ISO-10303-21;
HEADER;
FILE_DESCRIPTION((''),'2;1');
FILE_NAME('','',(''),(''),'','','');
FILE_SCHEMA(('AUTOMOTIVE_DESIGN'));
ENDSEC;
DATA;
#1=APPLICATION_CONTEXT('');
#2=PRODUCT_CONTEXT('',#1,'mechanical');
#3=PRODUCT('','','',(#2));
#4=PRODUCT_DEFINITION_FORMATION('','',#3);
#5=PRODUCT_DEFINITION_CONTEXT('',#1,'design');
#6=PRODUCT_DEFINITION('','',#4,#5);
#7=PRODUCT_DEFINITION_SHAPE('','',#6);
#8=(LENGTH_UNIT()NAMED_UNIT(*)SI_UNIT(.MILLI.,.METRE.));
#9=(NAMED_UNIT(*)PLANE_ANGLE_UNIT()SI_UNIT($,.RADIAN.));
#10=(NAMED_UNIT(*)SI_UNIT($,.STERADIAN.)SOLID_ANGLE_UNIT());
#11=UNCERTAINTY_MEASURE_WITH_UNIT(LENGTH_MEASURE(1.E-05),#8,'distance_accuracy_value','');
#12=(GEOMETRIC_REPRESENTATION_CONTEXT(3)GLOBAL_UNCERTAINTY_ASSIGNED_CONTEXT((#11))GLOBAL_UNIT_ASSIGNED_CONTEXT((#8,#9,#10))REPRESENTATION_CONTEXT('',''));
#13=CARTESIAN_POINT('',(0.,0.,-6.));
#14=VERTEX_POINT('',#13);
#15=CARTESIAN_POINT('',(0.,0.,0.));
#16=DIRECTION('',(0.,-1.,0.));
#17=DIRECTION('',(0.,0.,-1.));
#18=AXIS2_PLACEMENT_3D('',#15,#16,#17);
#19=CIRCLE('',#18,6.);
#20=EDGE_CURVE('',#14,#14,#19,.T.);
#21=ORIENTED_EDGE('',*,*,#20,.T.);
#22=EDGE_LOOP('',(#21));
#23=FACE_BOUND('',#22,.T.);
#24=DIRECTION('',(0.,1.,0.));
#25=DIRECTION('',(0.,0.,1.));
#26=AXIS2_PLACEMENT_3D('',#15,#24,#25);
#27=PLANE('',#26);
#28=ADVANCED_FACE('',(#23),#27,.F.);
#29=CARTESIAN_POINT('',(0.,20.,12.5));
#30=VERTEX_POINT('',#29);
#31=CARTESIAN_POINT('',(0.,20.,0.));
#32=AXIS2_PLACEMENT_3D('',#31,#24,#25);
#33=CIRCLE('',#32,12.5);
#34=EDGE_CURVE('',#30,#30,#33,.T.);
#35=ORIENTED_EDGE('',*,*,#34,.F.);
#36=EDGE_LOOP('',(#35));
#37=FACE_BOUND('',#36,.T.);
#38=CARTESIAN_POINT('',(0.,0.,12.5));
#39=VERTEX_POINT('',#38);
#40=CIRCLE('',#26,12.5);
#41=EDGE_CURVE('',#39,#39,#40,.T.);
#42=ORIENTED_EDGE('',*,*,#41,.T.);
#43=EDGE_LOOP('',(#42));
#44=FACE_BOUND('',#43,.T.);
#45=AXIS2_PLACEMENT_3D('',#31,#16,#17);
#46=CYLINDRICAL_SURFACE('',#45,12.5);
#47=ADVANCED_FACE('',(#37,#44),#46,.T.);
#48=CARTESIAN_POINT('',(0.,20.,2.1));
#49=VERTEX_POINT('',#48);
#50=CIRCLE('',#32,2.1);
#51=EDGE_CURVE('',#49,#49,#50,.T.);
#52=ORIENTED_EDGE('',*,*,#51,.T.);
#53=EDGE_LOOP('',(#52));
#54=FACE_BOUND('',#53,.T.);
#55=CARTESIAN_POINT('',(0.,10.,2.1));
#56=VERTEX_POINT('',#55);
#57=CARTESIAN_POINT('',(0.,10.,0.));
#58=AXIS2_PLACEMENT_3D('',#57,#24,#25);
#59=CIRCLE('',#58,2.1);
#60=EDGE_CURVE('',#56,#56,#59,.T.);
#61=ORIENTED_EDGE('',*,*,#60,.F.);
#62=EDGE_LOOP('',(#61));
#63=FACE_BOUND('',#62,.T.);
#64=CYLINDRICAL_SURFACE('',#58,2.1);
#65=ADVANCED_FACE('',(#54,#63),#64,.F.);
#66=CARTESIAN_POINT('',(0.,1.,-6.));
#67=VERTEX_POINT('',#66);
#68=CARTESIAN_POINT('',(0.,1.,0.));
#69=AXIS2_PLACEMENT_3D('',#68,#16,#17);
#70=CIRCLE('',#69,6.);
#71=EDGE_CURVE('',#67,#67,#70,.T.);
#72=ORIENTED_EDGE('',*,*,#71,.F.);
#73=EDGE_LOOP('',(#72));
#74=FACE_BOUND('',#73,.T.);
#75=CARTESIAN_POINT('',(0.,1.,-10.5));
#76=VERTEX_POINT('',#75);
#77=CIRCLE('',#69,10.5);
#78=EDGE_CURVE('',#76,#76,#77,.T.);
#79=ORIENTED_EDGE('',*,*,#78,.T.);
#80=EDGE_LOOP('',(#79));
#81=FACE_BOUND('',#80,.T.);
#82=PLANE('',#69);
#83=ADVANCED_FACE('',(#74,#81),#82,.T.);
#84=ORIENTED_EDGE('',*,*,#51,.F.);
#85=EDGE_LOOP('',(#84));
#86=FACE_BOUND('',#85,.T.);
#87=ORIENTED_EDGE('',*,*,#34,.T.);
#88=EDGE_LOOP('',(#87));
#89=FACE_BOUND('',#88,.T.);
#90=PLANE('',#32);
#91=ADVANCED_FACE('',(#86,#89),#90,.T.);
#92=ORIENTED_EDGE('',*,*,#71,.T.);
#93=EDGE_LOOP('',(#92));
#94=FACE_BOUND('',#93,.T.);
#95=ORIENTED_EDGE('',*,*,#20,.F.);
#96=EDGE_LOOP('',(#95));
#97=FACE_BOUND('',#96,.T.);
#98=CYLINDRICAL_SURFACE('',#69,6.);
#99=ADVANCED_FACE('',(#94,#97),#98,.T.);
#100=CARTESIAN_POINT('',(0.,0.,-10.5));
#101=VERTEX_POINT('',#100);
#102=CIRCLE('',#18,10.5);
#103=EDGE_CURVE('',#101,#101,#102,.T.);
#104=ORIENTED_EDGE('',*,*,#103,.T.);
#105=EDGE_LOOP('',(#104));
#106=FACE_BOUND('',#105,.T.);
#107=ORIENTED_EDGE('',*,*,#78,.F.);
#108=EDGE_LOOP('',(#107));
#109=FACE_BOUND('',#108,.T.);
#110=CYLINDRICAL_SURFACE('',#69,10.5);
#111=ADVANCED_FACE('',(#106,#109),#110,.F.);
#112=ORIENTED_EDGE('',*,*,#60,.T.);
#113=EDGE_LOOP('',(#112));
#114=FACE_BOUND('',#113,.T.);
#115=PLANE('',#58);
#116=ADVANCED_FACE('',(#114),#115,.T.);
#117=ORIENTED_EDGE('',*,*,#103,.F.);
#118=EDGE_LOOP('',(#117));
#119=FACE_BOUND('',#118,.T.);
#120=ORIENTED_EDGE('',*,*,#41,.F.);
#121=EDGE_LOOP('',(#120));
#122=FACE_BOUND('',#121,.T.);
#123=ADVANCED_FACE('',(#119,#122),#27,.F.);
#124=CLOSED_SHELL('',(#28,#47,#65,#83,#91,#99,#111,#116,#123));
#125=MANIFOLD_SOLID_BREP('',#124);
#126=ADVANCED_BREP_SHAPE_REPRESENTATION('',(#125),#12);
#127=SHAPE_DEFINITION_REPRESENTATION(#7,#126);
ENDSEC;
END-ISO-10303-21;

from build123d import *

# Parameters (mm, degrees)
SKETCH_1_R          = 12.5
EXTRUDE_1_DEPTH     = 20
SKETCH_2_R          = 10.5
SKETCH_2_R_2        = 6
CUT_EXTRUDE_1_DEPTH = 1
SKETCH_3_R          = 2.1
CUT_EXTRUDE_2_DEPTH = 10


with BuildPart() as part:
    # 草图1 → 凸台-拉伸1 (new body)
    with BuildSketch(Plane(origin=(0, 0, 0), x_dir=(1, 0, 0), z_dir=(0, 1, 0))):
        with Locations(Location((0, 0, 0), (0, 0, 270))):
            Circle(SKETCH_1_R)
    extrude(amount=EXTRUDE_1_DEPTH)

    # 草图2 → 切除-拉伸1 (cut)
    with BuildSketch(Plane.XZ):
        with Locations(Location((0, 0, 0), (0, 0, 270))):
            Circle(SKETCH_2_R)
        with Locations(Location((0, 0, 0), (0, 0, 270))):
            Circle(SKETCH_2_R_2, mode=Mode.SUBTRACT)
    extrude(amount=-CUT_EXTRUDE_1_DEPTH, mode=Mode.SUBTRACT)

    # 草图3 → 切除-拉伸2 (cut)
    with BuildSketch(Plane(origin=(0, 20, 0), x_dir=(1, 0, 0), z_dir=(0, 1, 0))):
        with Locations(Location((0, 0, 0), (0, 0, 270))):
            Circle(SKETCH_3_R)
    extrude(amount=-CUT_EXTRUDE_2_DEPTH, mode=Mode.SUBTRACT)


solid = part.part
